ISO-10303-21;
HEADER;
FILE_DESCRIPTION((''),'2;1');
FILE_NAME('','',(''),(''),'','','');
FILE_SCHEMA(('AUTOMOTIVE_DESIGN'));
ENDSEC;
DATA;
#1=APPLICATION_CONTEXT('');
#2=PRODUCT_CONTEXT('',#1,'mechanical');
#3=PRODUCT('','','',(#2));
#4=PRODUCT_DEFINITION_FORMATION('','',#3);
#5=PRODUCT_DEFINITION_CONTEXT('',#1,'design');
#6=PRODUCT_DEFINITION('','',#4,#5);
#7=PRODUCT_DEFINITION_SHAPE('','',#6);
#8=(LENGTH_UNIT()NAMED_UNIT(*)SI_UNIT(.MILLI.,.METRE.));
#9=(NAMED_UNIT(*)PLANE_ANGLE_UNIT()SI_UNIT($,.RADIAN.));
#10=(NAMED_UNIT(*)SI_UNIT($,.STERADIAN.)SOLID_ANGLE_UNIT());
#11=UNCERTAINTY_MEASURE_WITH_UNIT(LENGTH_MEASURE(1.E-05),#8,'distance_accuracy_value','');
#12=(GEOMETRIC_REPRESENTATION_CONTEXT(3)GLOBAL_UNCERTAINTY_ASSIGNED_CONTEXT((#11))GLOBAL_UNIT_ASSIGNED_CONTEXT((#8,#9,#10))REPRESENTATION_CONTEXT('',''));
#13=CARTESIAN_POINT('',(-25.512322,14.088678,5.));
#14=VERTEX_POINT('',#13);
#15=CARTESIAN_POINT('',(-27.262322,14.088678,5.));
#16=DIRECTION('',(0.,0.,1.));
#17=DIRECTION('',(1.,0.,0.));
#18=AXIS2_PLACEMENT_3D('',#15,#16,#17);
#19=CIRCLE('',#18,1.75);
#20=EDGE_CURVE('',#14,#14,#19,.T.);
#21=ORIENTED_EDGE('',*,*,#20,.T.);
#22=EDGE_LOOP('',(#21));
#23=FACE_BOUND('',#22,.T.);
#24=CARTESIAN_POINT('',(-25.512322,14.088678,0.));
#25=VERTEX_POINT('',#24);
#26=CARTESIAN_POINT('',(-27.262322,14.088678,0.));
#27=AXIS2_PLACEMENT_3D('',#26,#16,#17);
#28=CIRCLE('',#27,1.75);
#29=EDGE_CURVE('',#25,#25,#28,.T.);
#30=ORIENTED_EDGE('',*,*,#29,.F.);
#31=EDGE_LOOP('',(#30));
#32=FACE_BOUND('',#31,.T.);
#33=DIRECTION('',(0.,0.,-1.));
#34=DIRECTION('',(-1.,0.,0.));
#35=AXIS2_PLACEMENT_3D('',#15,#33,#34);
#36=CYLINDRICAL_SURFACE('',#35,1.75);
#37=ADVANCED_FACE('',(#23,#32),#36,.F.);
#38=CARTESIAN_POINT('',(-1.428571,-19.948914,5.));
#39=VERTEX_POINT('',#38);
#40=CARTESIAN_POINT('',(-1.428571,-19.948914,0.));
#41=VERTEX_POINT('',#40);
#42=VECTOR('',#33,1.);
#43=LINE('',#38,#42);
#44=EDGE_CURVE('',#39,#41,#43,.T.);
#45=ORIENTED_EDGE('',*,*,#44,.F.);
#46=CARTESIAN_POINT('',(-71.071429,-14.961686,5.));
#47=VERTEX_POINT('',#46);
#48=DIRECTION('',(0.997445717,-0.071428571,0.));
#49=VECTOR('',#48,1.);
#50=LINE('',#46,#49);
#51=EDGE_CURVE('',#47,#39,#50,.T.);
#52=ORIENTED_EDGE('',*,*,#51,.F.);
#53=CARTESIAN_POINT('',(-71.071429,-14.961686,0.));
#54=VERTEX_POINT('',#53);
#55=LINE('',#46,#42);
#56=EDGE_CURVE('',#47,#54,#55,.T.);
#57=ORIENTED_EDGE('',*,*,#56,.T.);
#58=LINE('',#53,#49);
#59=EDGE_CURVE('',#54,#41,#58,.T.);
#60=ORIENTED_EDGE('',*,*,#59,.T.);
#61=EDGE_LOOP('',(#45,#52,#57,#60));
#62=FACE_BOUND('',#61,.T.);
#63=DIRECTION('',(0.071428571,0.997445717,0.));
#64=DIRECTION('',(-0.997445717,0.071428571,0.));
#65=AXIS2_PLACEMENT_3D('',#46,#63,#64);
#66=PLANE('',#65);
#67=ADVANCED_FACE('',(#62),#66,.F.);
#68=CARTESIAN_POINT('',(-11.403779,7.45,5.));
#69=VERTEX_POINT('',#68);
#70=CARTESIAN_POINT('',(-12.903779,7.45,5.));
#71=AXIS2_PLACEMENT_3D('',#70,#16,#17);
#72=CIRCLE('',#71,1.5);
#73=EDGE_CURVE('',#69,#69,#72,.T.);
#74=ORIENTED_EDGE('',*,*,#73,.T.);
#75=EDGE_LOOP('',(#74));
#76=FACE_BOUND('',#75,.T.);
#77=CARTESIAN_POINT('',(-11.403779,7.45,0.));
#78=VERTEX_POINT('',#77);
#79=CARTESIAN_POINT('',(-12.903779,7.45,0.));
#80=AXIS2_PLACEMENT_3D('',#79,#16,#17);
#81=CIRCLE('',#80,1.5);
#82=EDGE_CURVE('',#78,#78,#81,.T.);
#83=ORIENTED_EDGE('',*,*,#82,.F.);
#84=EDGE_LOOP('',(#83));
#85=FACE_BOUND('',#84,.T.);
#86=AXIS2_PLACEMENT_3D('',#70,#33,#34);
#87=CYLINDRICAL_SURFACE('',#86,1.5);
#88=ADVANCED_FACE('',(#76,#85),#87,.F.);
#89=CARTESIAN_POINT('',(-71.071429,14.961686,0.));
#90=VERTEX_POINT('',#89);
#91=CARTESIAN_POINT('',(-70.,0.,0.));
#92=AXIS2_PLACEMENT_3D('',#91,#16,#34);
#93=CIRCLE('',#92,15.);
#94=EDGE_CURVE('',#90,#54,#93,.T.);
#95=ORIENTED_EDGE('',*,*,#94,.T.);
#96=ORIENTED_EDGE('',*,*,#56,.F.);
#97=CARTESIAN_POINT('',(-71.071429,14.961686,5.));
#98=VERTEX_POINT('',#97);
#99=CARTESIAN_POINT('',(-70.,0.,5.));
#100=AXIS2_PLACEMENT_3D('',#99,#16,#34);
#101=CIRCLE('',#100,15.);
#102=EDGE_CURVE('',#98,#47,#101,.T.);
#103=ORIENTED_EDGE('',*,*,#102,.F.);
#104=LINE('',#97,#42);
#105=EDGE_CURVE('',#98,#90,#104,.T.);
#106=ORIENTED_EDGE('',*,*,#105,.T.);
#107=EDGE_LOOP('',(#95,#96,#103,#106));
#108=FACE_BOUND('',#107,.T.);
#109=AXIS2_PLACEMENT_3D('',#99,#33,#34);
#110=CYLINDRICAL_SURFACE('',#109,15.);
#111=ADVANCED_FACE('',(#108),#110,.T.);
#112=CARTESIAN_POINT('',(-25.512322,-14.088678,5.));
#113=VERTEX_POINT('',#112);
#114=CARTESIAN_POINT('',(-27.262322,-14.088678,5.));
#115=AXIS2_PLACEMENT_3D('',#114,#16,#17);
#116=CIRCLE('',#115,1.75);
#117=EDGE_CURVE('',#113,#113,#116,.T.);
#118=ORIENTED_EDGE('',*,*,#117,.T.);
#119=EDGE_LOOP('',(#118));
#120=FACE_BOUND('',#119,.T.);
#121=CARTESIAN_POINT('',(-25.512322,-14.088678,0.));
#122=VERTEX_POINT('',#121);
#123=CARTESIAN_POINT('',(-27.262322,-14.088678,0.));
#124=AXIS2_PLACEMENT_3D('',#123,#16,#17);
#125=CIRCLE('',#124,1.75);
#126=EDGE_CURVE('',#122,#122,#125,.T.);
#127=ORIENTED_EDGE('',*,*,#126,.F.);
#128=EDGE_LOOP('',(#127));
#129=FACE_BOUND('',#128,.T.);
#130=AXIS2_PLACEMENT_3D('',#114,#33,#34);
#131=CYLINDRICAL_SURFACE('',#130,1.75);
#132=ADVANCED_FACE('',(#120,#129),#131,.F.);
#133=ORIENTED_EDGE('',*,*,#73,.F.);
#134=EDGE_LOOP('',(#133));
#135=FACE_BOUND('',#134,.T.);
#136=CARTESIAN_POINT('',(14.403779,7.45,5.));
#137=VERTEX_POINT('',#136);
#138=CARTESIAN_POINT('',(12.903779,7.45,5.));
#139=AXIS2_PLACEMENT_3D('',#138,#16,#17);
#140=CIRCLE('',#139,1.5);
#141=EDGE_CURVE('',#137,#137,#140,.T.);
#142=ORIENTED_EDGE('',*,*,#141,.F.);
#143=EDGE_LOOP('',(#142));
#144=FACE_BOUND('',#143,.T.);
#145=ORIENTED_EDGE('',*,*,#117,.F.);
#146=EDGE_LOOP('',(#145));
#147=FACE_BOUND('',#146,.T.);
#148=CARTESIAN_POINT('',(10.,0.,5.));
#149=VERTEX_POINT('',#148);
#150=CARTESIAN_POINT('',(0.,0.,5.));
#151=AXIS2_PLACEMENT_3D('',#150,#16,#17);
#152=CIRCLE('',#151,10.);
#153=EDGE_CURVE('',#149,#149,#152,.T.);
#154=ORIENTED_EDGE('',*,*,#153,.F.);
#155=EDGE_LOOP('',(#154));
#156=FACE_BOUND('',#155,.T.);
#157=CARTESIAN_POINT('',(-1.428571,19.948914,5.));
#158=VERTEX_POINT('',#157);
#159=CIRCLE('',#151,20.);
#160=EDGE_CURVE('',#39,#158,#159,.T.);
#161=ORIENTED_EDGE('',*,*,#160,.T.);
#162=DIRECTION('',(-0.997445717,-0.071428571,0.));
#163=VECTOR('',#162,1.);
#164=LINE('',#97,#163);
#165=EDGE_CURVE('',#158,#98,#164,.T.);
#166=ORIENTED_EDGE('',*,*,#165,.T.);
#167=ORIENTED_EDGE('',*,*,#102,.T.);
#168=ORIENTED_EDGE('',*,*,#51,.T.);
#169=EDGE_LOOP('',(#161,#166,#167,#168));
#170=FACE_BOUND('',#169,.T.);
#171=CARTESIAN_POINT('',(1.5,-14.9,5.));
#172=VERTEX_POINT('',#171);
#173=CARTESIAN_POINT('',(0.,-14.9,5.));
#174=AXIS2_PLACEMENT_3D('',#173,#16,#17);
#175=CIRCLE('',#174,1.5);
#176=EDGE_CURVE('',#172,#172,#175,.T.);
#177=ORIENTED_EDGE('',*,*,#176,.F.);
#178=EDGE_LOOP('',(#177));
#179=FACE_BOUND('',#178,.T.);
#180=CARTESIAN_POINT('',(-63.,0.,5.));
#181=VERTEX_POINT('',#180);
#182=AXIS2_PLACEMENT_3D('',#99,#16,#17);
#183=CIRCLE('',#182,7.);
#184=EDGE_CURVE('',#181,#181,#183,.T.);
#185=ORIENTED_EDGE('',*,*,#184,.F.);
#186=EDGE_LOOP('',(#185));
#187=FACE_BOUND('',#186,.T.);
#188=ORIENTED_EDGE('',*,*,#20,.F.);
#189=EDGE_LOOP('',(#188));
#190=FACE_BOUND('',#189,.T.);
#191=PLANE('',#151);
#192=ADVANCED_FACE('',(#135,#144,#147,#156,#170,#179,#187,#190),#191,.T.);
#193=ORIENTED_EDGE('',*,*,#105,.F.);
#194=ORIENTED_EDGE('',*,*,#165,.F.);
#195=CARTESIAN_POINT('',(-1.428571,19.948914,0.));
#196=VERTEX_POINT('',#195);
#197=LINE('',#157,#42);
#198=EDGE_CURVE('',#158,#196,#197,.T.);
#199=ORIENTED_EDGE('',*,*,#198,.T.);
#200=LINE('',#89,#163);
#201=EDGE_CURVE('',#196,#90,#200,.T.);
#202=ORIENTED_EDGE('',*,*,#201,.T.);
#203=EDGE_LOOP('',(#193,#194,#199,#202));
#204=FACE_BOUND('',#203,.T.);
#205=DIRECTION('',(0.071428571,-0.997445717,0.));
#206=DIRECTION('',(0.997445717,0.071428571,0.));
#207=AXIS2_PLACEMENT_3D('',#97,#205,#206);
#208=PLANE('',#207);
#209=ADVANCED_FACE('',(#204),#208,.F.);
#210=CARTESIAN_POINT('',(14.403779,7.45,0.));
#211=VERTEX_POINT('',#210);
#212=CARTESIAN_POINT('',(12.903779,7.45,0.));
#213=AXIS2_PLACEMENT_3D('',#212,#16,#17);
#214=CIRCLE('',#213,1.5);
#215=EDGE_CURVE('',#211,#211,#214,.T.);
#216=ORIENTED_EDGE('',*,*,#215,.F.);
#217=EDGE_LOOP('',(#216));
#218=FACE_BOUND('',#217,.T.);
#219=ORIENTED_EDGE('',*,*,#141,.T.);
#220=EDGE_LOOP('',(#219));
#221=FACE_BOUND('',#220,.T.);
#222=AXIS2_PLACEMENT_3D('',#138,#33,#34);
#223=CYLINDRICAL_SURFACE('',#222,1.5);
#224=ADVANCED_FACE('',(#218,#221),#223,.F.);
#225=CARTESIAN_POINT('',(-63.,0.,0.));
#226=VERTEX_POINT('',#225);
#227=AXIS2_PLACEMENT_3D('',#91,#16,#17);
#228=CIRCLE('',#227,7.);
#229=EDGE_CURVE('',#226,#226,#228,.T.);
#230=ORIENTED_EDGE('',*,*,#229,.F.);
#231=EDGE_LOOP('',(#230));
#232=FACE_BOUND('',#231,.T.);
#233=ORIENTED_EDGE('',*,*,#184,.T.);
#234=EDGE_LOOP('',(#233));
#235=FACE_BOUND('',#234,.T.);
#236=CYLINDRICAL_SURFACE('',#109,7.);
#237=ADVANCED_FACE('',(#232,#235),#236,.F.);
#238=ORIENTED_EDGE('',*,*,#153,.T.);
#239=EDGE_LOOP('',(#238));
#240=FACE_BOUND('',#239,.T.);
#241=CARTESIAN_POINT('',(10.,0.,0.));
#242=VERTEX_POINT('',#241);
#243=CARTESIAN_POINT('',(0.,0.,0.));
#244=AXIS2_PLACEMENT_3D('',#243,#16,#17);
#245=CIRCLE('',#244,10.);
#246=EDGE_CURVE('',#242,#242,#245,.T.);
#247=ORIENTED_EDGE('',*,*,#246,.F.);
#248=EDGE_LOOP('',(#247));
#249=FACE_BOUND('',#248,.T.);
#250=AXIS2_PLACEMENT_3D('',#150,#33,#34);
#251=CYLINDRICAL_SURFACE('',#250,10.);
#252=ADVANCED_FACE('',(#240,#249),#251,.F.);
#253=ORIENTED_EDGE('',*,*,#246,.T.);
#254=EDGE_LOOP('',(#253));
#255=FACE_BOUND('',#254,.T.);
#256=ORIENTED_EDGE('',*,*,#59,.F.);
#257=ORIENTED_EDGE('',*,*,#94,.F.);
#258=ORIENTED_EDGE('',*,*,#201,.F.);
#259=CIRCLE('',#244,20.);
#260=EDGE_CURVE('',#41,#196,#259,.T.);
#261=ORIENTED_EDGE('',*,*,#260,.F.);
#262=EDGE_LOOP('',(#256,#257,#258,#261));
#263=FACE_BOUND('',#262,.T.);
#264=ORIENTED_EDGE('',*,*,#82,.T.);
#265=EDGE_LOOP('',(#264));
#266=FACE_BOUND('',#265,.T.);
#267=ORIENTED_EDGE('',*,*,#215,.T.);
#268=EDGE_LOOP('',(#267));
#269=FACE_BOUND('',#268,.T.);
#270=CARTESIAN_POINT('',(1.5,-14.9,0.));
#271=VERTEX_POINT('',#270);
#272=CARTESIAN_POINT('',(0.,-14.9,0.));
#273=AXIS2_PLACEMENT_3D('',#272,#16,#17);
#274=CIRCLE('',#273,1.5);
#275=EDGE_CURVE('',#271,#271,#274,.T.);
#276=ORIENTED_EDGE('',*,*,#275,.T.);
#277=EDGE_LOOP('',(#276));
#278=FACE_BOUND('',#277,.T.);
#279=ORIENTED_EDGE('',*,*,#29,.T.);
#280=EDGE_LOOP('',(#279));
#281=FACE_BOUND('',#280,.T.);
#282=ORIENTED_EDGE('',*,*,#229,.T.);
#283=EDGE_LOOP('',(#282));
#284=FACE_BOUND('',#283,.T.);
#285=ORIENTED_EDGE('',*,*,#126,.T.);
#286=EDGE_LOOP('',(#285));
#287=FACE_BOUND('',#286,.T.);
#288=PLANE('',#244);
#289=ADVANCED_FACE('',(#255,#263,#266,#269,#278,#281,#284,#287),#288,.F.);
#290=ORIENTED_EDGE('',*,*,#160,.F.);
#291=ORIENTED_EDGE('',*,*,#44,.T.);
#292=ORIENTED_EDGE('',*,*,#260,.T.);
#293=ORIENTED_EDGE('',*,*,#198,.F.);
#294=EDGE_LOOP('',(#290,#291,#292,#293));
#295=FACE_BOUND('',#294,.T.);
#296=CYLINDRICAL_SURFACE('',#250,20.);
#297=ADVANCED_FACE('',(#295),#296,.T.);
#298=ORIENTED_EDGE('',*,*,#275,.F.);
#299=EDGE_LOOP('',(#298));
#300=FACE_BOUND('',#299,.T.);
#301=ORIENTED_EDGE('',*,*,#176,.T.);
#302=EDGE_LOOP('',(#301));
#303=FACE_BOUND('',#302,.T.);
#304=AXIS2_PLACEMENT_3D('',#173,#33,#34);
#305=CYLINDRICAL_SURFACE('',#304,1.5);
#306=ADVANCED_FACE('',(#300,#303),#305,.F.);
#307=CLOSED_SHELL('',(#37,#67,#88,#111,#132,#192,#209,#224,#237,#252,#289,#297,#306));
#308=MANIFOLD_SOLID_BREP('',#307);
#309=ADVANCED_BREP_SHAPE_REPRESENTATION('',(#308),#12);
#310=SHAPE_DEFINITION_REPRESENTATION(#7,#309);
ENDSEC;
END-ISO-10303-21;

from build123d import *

# Parameters (mm, degrees)
SKETCH1_R           = 7
SKETCH1_R_2         = 10
SKETCH1_R_3         = 1.5
SKETCH1_R_4         = 1.75
BOSS_EXTRUDE1_DEPTH = 5


with BuildPart() as part:
    # Sketch1 → Boss-Extrude1 (new body)
    with BuildSketch(Plane.XY):
        with BuildLine():
            Line((-71.071428571, 14.961685761), (-1.428571429, 19.948914348))
            ThreePointArc((-1.428571429, 19.948914348), (20, 0), (-1.428571429, -19.948914348))
            Line((-1.428571429, -19.948914348), (-71.071428571, -14.961685761))
            ThreePointArc((-71.071428571, -14.961685761), (-85, 0), (-71.071428571, 14.961685761))
        make_face()
        with Locations((-70, 0)):
            Circle(SKETCH1_R, mode=Mode.SUBTRACT)
        Circle(SKETCH1_R_2, mode=Mode.SUBTRACT)
        with Locations((-12.903778516, 7.45)):
            Circle(SKETCH1_R_3, mode=Mode.SUBTRACT)
        with Locations((0, -14.9)):
            Circle(SKETCH1_R_3, mode=Mode.SUBTRACT)
        with Locations((-27.262321561, 14.088677781)):
            Circle(SKETCH1_R_4, mode=Mode.SUBTRACT)
        with Locations((-27.262321561, -14.088677781)):
            Circle(SKETCH1_R_4, mode=Mode.SUBTRACT)
        with Locations((12.903778516, 7.45)):
            Circle(SKETCH1_R_3, mode=Mode.SUBTRACT)
    extrude(amount=BOSS_EXTRUDE1_DEPTH)


solid = part.part
